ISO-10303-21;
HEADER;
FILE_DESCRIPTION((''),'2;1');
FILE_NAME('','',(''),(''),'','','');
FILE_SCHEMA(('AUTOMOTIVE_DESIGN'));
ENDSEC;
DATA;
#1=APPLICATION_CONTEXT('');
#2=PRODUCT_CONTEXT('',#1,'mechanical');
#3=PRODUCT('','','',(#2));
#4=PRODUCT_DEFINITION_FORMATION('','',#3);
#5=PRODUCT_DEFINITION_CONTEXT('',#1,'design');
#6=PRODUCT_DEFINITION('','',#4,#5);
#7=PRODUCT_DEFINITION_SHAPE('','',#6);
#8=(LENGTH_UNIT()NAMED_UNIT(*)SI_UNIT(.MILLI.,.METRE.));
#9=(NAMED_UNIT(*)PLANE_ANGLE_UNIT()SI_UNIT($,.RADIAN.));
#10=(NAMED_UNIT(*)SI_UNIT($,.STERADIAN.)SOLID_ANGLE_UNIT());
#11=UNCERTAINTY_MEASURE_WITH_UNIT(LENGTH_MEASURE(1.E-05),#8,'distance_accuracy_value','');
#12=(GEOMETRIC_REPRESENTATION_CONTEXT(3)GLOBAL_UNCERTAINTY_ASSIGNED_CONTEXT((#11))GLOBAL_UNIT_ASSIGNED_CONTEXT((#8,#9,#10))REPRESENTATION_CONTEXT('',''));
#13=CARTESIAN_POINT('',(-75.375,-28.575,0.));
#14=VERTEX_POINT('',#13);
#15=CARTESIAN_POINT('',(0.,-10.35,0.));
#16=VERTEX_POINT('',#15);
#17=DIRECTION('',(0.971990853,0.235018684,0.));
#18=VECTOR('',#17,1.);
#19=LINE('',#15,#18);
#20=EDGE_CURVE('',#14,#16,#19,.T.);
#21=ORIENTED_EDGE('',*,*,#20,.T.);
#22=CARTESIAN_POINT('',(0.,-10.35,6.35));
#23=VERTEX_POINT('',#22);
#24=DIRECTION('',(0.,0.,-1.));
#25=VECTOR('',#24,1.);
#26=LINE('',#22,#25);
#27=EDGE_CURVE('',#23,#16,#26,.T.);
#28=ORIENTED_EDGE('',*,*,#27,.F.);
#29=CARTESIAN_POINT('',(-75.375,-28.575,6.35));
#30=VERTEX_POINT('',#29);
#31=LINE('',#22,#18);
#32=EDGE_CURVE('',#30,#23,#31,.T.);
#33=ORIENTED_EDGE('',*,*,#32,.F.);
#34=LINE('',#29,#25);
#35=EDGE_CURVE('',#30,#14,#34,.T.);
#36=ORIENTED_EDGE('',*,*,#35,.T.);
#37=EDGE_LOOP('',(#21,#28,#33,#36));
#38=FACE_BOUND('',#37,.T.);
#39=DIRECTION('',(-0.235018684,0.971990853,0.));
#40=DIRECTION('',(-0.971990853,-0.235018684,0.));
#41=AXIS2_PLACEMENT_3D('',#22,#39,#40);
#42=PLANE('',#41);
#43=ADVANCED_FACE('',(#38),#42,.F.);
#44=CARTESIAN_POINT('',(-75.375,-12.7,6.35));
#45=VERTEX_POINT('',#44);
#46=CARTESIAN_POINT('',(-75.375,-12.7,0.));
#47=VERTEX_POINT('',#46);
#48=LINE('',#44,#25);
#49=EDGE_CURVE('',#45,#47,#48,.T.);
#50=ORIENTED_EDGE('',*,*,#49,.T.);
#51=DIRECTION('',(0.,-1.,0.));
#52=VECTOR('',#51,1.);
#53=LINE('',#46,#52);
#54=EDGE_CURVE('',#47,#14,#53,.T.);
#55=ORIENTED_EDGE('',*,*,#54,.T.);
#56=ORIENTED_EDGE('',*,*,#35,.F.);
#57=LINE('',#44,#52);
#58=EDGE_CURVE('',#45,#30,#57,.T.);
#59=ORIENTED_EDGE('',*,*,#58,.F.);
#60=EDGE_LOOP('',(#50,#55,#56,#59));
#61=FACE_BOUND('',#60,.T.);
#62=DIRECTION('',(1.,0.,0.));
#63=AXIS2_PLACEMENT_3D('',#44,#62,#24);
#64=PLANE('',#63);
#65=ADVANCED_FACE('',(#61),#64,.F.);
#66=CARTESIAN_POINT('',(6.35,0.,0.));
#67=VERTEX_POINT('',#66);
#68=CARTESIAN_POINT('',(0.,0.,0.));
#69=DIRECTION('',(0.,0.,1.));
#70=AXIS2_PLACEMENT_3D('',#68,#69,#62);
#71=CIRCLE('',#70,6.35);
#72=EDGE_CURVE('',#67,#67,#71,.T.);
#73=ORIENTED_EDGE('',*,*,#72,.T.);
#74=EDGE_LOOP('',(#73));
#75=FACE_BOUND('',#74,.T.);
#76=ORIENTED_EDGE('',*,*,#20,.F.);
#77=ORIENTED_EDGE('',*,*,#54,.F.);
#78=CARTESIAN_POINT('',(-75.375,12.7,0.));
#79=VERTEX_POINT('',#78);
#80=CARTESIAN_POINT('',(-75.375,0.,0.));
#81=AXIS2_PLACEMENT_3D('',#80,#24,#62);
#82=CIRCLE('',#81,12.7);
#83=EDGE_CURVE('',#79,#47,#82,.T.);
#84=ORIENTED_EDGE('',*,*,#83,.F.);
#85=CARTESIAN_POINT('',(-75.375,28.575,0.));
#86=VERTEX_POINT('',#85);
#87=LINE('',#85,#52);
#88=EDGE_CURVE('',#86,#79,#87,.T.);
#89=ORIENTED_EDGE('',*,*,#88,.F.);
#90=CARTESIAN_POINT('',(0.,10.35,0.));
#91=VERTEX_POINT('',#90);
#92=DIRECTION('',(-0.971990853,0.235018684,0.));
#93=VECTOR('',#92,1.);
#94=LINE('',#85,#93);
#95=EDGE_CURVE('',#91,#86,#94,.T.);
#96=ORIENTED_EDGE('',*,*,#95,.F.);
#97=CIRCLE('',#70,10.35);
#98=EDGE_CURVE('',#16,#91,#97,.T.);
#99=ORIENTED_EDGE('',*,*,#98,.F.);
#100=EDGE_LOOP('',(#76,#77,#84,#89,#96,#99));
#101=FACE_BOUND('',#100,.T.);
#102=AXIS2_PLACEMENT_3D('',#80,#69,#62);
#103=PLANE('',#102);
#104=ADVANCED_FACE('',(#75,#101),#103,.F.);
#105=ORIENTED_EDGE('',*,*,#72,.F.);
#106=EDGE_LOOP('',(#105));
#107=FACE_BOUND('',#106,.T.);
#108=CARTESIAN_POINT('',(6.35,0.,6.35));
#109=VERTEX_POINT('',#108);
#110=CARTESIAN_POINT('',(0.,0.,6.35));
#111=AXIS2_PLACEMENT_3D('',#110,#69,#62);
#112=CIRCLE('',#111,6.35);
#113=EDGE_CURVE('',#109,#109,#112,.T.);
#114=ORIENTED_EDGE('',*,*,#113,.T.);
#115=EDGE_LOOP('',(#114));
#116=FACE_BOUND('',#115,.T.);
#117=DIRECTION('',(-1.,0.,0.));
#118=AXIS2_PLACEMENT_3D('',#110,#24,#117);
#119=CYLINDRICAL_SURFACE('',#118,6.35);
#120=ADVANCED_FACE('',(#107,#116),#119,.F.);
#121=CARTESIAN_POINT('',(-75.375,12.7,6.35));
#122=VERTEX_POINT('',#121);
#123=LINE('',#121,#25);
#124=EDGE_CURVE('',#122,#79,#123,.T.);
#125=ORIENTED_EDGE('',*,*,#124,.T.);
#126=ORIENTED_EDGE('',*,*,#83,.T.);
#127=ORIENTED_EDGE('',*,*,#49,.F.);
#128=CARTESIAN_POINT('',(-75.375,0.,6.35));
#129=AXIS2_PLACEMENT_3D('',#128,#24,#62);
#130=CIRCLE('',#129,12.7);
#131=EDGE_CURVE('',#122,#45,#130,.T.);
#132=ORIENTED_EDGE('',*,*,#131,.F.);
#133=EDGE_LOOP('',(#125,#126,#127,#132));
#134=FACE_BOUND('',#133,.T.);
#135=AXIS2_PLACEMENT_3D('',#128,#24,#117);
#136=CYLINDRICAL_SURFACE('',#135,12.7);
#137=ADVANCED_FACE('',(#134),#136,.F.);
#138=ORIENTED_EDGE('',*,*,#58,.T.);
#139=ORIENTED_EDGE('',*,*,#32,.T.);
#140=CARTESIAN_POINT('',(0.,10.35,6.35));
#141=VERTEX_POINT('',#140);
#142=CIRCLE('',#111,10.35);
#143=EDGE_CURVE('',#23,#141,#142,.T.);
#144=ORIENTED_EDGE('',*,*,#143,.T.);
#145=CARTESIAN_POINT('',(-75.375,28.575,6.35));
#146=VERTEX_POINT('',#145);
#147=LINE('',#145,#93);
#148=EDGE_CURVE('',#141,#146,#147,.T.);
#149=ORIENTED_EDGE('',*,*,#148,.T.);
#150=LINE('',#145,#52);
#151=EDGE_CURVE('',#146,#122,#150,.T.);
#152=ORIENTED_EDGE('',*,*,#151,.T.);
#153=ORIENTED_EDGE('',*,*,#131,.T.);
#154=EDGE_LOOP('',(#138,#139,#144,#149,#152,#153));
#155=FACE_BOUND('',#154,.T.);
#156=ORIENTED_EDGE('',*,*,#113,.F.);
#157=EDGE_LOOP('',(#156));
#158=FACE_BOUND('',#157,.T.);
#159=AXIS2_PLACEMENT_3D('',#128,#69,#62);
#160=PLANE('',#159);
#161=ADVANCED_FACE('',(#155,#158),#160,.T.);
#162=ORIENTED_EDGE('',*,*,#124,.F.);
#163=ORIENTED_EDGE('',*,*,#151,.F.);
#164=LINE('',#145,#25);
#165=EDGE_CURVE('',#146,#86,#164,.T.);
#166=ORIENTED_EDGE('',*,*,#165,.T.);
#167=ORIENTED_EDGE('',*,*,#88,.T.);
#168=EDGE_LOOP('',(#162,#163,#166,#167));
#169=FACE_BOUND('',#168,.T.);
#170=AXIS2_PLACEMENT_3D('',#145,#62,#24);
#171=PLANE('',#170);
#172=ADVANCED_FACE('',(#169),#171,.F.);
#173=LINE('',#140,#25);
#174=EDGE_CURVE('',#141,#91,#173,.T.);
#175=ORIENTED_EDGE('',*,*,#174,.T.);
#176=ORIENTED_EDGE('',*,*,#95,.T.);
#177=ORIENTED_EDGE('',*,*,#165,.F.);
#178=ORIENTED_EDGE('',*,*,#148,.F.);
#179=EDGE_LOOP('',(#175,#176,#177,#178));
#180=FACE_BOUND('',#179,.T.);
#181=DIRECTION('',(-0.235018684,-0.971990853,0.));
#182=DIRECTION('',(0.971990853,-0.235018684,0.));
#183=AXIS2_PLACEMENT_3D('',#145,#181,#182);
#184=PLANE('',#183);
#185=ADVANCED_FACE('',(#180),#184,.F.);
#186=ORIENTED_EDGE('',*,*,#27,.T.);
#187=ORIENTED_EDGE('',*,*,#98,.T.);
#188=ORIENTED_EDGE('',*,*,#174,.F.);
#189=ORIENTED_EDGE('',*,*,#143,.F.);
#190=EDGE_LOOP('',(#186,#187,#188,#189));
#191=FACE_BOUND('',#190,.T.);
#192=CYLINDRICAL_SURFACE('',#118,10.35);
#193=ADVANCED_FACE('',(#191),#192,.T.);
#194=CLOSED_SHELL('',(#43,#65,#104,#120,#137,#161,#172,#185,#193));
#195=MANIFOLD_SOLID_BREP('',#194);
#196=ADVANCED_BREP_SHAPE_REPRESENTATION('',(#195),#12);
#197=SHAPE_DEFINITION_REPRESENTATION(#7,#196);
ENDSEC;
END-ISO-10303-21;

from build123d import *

# Parameters (mm, degrees)
SKETCH1_R           = 6.35
BOSS_EXTRUDE1_DEPTH = 6.35


with BuildPart() as part:
    # Sketch1 → Boss-Extrude1 (new body)
    with BuildSketch(Plane.XY):
        with BuildLine():
            Line((-75.375, 28.575), (0, 10.35))
            ThreePointArc((0, 10.35), (10.35, 0), (0, -10.35))
            Line((0, -10.35), (-75.375, -28.575))
            Line((-75.375, -28.575), (-75.375, -12.7))
            ThreePointArc((-75.375, -12.7), (-62.675, 0), (-75.375, 12.7))
            Line((-75.375, 12.7), (-75.375, 28.575))
        make_face()
        Circle(SKETCH1_R, mode=Mode.SUBTRACT)
    extrude(amount=BOSS_EXTRUDE1_DEPTH)


solid = part.part
